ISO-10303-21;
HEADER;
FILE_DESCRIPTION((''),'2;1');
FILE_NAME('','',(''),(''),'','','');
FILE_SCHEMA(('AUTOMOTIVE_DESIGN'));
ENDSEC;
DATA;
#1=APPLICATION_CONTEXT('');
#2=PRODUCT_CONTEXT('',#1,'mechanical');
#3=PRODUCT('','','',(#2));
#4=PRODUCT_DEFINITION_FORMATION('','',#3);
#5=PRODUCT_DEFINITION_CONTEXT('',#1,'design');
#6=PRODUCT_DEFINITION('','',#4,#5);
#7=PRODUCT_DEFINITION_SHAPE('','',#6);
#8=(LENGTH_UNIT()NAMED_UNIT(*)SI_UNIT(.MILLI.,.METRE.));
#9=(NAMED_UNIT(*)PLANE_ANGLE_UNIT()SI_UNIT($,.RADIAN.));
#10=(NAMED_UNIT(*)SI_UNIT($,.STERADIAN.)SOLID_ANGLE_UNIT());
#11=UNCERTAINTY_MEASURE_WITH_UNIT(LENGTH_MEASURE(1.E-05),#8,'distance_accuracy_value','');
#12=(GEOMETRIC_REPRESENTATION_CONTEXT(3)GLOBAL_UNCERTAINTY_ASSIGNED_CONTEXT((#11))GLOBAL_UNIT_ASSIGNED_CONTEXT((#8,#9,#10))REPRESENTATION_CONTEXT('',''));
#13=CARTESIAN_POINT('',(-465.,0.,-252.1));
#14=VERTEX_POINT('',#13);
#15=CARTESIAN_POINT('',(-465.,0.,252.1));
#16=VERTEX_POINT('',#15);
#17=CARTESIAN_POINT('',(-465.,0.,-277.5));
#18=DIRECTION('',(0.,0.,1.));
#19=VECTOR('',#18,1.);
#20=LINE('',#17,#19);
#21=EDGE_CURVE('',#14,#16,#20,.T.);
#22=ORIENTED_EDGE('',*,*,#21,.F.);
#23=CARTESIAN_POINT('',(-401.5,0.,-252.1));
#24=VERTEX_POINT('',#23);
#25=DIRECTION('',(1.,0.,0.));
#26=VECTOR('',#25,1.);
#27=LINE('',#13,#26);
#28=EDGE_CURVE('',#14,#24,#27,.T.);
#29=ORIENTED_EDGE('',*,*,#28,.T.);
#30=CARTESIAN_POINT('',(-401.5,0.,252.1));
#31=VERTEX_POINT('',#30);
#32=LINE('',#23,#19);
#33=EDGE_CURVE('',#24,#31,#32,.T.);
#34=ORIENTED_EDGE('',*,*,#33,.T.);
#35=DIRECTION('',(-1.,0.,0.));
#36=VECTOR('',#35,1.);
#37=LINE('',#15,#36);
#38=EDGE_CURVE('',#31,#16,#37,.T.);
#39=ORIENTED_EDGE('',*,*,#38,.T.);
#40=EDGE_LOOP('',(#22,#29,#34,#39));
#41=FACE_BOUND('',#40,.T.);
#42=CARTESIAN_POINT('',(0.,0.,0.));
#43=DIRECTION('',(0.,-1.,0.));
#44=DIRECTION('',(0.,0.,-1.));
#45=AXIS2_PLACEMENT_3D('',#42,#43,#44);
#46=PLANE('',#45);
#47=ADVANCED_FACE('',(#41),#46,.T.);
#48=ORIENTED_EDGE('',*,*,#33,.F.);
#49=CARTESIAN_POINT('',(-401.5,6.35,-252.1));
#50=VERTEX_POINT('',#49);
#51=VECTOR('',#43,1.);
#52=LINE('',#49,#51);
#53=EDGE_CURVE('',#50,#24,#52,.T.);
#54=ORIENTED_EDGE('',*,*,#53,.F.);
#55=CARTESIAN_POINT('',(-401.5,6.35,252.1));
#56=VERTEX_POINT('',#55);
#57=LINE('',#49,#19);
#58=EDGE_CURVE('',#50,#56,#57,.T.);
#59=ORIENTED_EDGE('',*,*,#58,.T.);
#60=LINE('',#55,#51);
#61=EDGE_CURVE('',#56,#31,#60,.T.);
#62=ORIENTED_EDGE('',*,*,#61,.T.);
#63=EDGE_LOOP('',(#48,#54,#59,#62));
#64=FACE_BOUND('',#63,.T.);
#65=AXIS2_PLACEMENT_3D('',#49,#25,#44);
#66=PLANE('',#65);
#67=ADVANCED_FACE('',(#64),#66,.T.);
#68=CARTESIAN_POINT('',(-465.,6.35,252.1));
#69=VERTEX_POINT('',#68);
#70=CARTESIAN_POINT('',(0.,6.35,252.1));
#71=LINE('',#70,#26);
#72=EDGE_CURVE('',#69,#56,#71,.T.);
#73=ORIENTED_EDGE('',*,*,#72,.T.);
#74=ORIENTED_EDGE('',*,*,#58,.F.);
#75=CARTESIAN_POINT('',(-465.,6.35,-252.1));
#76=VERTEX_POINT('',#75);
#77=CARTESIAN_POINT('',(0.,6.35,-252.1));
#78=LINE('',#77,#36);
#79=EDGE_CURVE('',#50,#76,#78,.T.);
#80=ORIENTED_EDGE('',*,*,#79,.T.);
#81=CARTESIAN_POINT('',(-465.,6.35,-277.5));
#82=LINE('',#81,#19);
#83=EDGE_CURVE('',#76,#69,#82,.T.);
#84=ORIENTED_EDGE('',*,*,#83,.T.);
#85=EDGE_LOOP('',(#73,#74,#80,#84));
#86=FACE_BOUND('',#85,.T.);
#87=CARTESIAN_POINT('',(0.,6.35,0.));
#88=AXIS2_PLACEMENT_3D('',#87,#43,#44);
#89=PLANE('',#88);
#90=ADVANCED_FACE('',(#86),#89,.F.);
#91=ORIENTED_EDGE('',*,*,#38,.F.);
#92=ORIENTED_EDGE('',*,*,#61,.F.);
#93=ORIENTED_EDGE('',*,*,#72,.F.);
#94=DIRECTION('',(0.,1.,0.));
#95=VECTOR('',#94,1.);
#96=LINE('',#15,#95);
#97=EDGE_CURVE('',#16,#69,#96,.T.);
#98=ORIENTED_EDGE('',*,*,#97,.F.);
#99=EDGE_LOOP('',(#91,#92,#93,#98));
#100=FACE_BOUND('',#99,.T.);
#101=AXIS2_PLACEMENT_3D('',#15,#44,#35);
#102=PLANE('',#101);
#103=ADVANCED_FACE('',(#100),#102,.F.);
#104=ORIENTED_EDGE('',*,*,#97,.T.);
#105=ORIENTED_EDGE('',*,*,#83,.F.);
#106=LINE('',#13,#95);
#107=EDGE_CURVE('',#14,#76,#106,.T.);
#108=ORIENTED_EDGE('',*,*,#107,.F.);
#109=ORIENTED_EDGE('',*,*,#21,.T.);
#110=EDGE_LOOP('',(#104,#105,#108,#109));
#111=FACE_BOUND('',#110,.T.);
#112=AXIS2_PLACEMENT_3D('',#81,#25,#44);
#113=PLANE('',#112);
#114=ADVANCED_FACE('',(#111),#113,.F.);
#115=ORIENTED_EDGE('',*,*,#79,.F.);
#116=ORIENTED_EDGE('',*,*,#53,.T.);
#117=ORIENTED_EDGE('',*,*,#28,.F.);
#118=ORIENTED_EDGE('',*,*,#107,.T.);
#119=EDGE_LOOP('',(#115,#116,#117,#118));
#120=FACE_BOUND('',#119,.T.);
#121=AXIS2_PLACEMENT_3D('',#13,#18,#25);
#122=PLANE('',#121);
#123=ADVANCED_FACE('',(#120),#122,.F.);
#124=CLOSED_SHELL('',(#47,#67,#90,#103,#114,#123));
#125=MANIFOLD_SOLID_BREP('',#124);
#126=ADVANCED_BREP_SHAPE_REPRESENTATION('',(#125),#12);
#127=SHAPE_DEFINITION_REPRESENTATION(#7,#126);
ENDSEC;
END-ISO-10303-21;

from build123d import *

# Parameters (mm, degrees)
SKETCH1_W               = 930
SKETCH1_H               = 555
SKETCH1_W_2             = 803
SKETCH1_H_2             = 504.2
BOSS_EXTRUDE2_DEPTH     = 6.35
CUT_EXTRUDE1_DEPTH      = 542.54554056
CUT_EXTRUDE1_DEPTH_BACK = 542.54554056


with BuildPart() as part:
    # Sketch1 → Boss-Extrude2 (new body)
    with BuildSketch(Plane(origin=(0, 0, 0), x_dir=(1, 0, 0), z_dir=(0, 1, 0))):
        Rectangle(SKETCH1_W, SKETCH1_H)
        Rectangle(SKETCH1_W_2, SKETCH1_H_2, mode=Mode.SUBTRACT)
    extrude(amount=BOSS_EXTRUDE2_DEPTH)

    # Sketch2 → Cut-Extrude1 (cut, two sides: drawn at the far end of the back side and taken through both)
    with BuildSketch(Plane(origin=(0, 6.35, 0), x_dir=(1, 0, 0), z_dir=(0, 1, 0)).offset(-CUT_EXTRUDE1_DEPTH_BACK)):
        Polygon((-465, 277.5), (426.9, 277.5), (465, 277.5), (465, -277.5), (426.9, -277.5), (-465, -277.5), (-465, -252.1), (401.5, -252.1), (401.5, 252.1), (-465, 252.1), align=None)
    extrude(amount=CUT_EXTRUDE1_DEPTH + CUT_EXTRUDE1_DEPTH_BACK, mode=Mode.SUBTRACT)


solid = part.part
